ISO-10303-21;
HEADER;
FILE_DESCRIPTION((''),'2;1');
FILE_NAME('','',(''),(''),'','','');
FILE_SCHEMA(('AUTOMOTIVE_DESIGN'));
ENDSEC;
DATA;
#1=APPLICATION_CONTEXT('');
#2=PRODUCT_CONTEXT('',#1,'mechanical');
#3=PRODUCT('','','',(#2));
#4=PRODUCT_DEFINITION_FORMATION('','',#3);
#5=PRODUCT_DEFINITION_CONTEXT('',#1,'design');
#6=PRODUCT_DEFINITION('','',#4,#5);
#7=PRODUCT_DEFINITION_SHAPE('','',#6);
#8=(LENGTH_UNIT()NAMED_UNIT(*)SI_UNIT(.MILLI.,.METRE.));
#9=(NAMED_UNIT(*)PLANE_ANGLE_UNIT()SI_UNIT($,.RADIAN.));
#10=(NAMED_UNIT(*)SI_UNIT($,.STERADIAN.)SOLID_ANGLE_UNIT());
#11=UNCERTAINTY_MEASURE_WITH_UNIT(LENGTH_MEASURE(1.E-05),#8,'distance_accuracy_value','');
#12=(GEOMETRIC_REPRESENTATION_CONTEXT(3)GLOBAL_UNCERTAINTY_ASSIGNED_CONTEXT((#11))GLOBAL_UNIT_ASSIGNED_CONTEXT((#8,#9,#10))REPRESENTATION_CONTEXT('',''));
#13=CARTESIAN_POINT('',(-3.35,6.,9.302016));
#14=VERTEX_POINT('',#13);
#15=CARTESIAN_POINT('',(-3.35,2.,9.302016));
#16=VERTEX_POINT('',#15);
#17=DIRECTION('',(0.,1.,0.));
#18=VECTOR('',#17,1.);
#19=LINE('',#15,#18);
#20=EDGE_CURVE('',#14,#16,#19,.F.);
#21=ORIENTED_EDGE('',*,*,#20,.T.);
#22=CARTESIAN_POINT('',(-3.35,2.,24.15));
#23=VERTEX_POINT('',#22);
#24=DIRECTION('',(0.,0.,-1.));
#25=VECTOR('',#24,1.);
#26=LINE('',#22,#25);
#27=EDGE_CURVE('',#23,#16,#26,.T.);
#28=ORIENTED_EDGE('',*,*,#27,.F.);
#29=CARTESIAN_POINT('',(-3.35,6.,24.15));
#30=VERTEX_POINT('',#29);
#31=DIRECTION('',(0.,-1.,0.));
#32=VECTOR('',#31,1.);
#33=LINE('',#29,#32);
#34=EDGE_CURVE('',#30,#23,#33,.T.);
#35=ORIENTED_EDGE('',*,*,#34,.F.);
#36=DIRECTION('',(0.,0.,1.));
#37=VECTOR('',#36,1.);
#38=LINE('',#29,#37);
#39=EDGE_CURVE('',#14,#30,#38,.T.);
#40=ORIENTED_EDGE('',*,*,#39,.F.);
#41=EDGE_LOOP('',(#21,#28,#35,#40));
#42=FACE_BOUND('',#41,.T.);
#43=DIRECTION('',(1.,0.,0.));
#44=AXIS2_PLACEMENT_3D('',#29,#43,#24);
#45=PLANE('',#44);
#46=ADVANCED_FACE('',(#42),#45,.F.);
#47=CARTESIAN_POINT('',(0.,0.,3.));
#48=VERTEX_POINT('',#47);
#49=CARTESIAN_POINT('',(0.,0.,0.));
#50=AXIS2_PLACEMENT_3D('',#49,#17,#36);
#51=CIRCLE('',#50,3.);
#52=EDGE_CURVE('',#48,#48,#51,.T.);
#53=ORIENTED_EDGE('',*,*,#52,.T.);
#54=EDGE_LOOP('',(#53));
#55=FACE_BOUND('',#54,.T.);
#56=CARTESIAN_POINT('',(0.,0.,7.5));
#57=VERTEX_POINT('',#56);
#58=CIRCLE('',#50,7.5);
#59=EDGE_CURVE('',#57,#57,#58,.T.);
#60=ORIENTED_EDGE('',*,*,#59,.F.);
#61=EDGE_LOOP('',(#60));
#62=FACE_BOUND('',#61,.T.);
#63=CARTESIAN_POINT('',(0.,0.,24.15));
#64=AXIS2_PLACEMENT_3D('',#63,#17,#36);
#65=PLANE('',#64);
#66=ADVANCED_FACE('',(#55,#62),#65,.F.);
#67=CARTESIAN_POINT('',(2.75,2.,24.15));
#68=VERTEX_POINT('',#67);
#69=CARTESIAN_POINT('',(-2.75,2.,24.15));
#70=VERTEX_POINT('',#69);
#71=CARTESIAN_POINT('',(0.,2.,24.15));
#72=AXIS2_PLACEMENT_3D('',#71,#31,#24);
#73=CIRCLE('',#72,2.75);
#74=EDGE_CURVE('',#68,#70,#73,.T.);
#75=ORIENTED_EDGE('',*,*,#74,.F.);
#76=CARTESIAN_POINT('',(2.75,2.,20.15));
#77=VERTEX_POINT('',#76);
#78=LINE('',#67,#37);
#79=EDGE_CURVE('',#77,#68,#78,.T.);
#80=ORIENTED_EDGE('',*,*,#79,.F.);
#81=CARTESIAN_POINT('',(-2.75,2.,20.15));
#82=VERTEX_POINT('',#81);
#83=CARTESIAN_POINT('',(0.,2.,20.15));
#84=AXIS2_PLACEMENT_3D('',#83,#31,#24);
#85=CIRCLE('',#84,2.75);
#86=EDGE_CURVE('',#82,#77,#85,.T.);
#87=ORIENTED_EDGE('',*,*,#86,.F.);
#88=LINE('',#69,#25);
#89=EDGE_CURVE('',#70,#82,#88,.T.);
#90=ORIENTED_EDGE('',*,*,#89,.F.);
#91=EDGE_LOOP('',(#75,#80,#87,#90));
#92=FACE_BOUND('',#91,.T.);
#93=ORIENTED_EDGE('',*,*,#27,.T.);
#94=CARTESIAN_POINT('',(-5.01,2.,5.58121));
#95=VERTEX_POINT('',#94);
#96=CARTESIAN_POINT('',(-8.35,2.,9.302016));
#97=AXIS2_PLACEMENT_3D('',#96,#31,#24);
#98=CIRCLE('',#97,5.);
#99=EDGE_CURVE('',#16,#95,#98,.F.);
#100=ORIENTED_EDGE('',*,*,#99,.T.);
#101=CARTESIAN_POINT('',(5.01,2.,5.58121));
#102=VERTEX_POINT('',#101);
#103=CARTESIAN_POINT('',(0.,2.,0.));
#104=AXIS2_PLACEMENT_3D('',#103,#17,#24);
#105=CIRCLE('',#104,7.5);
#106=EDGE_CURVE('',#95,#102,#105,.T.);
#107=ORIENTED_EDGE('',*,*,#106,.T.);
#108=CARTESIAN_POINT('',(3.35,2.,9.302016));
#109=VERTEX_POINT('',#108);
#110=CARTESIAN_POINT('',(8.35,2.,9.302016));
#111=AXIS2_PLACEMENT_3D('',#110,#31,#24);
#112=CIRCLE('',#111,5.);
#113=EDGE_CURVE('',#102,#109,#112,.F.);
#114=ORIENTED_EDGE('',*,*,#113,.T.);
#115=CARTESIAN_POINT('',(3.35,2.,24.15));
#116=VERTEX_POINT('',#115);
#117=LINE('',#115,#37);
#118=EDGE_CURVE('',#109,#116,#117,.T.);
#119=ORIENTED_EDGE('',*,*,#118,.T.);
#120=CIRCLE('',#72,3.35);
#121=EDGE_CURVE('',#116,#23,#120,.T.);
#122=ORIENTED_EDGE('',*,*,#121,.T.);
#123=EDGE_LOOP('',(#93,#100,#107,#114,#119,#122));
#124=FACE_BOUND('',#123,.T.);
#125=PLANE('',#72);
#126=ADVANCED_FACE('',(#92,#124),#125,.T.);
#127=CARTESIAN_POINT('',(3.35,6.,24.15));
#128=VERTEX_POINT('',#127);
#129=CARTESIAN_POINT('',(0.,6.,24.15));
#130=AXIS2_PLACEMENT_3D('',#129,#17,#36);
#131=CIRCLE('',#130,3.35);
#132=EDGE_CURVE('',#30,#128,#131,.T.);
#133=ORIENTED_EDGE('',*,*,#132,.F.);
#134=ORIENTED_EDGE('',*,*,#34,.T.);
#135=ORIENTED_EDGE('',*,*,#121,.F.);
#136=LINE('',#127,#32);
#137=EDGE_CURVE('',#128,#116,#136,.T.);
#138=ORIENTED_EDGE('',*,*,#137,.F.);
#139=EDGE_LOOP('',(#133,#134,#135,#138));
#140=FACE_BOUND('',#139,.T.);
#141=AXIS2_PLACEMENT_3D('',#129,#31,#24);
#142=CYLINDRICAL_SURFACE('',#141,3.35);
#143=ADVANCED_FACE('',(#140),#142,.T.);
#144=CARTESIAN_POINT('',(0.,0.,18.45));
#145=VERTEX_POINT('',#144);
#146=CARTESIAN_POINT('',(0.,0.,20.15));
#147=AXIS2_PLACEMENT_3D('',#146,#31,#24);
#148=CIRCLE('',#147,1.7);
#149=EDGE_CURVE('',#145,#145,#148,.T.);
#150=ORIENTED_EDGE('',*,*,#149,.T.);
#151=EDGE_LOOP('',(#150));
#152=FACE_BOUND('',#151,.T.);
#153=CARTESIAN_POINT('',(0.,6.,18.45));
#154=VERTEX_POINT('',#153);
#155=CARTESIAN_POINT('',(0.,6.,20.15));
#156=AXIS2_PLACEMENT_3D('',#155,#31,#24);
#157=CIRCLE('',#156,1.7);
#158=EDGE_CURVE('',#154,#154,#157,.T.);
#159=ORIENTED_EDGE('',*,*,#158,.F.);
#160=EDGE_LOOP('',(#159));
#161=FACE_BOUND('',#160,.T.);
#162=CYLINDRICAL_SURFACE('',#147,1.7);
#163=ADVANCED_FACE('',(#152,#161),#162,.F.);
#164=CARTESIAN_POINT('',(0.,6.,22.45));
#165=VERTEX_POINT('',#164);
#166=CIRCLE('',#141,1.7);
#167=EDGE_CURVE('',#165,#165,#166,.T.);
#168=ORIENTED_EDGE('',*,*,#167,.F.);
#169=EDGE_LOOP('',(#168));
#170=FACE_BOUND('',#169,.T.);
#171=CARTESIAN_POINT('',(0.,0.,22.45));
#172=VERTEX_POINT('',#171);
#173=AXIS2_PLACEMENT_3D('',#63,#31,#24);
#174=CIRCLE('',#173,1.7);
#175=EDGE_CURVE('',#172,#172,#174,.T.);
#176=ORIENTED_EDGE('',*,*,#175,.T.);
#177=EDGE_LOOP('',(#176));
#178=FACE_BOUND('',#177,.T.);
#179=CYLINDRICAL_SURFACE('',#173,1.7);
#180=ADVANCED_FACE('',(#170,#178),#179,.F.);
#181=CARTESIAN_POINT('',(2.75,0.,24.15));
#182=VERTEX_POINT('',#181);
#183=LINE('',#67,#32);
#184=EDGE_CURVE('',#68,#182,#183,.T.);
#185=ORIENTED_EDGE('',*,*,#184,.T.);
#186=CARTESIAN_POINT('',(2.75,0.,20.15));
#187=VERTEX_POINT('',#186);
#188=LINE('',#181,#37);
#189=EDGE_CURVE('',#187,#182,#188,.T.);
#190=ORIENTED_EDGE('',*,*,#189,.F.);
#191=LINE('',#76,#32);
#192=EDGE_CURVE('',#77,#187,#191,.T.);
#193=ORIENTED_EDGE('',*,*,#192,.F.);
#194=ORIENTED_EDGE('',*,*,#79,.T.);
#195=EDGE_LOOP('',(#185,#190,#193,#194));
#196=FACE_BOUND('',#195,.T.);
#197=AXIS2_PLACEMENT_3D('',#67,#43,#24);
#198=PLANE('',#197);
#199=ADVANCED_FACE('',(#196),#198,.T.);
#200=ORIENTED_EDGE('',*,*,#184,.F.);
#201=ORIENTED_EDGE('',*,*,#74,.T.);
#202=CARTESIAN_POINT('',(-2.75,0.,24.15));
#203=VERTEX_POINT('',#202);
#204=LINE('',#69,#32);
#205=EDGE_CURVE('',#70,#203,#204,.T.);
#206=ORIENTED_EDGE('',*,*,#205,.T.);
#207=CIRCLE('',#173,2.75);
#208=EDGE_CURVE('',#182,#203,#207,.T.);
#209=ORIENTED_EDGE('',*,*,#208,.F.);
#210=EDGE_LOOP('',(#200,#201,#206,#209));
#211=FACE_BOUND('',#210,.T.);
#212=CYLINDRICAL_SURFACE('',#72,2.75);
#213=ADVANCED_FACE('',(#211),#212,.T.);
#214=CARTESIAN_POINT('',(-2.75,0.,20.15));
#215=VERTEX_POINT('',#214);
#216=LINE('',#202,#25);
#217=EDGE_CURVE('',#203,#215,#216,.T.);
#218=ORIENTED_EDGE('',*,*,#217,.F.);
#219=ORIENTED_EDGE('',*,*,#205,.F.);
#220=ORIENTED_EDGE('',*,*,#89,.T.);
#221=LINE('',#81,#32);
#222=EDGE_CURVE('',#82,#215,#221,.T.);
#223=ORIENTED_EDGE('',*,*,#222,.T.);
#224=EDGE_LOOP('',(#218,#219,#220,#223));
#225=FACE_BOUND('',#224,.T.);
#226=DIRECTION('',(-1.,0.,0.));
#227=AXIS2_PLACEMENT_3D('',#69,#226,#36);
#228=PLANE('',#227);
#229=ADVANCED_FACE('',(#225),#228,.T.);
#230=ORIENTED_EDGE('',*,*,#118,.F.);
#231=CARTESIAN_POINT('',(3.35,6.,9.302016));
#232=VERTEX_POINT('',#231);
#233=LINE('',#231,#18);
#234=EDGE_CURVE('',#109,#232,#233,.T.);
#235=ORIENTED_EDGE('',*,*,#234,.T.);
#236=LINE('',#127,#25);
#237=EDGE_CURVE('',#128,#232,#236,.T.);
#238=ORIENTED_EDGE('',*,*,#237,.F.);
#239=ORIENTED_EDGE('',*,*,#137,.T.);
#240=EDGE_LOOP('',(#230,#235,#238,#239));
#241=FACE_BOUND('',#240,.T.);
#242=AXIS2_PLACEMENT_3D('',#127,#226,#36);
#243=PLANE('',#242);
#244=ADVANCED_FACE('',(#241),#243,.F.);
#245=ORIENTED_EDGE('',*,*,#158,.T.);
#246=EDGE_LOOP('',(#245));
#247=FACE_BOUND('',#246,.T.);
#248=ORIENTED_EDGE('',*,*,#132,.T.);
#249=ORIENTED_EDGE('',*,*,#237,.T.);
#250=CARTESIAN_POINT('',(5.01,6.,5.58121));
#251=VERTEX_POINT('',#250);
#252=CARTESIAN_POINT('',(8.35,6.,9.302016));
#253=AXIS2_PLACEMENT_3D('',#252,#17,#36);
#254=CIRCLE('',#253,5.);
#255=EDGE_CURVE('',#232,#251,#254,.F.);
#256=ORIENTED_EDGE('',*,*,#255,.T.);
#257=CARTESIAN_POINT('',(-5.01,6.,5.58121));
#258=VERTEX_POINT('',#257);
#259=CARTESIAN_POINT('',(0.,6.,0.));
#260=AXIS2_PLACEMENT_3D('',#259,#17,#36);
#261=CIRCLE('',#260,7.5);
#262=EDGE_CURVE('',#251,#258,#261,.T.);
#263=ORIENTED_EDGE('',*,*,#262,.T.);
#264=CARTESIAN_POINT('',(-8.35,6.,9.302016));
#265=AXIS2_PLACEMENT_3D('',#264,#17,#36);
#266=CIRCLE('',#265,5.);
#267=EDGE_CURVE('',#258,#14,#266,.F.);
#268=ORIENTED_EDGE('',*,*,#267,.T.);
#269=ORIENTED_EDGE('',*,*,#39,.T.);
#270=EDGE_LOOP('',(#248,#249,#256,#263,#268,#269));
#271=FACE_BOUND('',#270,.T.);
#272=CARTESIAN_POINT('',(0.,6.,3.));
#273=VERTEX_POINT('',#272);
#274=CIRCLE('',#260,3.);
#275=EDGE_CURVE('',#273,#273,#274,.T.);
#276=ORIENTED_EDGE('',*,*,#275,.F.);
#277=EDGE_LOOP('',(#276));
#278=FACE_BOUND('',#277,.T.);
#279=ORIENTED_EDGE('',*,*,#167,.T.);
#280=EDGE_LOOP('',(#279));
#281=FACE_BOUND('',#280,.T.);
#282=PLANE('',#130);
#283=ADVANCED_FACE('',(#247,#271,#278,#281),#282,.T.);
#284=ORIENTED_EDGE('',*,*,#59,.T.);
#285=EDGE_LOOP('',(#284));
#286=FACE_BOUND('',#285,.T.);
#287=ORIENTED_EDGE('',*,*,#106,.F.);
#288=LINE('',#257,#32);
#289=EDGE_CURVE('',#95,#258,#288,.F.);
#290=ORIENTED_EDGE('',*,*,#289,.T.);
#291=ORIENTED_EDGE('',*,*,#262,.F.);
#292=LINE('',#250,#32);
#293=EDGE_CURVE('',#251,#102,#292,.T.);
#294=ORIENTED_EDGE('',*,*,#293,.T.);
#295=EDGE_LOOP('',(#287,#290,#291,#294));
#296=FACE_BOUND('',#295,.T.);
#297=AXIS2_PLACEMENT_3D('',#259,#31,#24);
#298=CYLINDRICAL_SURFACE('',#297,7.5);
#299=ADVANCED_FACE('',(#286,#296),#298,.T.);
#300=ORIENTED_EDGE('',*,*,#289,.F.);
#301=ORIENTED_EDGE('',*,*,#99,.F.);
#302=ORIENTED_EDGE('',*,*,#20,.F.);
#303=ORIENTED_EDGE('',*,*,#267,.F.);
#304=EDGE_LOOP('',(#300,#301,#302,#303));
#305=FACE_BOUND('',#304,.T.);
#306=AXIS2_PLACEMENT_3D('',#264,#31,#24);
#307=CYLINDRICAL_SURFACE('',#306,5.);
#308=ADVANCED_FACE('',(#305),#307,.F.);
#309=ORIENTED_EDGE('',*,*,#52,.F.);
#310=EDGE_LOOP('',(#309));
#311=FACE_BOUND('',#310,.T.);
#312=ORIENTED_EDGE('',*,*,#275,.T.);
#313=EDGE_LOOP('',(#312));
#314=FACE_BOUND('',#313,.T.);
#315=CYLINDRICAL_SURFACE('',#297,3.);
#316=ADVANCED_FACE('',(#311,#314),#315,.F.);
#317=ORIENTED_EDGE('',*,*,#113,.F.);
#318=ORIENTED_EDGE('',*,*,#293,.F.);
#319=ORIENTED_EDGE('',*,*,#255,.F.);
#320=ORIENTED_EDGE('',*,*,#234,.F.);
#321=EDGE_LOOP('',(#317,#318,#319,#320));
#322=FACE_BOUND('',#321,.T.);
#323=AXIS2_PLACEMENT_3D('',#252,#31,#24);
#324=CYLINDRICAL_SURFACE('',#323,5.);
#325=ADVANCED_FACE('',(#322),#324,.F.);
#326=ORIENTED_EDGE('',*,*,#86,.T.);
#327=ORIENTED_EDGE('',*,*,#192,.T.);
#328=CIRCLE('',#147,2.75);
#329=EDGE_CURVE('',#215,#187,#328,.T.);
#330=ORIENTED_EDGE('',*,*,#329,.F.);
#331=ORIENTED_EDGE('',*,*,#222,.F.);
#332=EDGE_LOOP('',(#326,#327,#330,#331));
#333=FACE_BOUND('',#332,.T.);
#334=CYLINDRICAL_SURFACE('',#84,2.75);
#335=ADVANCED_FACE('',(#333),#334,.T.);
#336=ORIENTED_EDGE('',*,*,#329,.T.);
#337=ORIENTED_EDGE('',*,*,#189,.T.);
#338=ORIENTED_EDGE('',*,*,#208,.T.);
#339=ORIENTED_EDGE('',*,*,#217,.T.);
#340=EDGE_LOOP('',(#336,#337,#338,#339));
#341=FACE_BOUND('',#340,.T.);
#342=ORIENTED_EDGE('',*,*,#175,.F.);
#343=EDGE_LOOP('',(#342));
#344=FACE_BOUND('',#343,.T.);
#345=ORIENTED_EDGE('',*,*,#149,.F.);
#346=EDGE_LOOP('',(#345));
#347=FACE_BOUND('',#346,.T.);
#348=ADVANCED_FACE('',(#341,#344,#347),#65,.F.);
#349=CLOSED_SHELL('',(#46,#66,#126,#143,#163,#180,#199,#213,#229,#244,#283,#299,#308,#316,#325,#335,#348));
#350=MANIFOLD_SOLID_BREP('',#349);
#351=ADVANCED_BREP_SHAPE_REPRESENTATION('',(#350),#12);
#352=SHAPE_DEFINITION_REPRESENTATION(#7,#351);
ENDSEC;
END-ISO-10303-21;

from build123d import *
from build123d.topology import SkipClean

# Parameters (mm, degrees)
ESQUISSE1_R             = 3
BOSS_EXTRU_1_DEPTH      = 6
D_GAGEMENT_M31_D        = 3.4
ENL_V_MAT_EXTRU_1_DEPTH = 2
CONG_2_R                = 5


with BuildPart() as part:
    # Esquisse1 → Boss.-Extru.1 (new body)
    with BuildSketch(Plane(origin=(0, 0, 0), x_dir=(1, 0, 0), z_dir=(0, 1, 0))):
        with BuildLine():
            Line((-3.35, -24.15), (-3.35, -6.710253348))
            ThreePointArc((-3.35, -6.710253348), (0, 7.5), (3.35, -6.710253348))
            Line((3.35, -6.710253348), (3.35, -24.15))
            ThreePointArc((3.35, -24.15), (0, -27.5), (-3.35, -24.15))
        make_face()
        with Locations(Location((0, 0, 0), (0, 0, 270))):
            Circle(ESQUISSE1_R, mode=Mode.SUBTRACT)
    extrude(amount=BOSS_EXTRU_1_DEPTH)

    # Dégagement M31 (through all)
    with Locations(Plane(origin=(0, 0, 0), x_dir=(-1, 0, 0), z_dir=(0, -1, 0))):
        with Locations((0, -24.15), (0, -20.15)):
            Hole(D_GAGEMENT_M31_D / 2)

    # Esquisse6 → Enlèv. mat.-Extru.1 (cut)
    with SkipClean():  # the faces are left unmerged after this step: merging them gives an invalid solid
        with BuildSketch(Plane.XZ):
            with BuildLine():
                Line((-3.35, 24.15), (-3.35, 6.710253348))
                ThreePointArc((-3.35, 6.710253348), (0, 7.5), (3.35, 6.710253348))
                Line((3.35, 6.710253348), (3.35, 24.15))
                ThreePointArc((3.35, 24.15), (0, 27.5), (-3.35, 24.15))
            make_face()
            with BuildLine():
                Line((2.75, 24.15), (2.75, 20.15))
                ThreePointArc((2.75, 20.15), (0, 17.4), (-2.75, 20.15))
                Line((-2.75, 20.15), (-2.75, 24.15))
                ThreePointArc((-2.75, 24.15), (0, 26.9), (2.75, 24.15))
            make_face(mode=Mode.SUBTRACT)
        extrude(amount=-ENL_V_MAT_EXTRU_1_DEPTH, mode=Mode.SUBTRACT)

    # Congé2
    cong_2_edges = [part.edges().sort_by_distance(p)[0] for p in [
        (-3.35, 4, 6.710253348),
        (3.35, 4, 6.710253348),
    ]]
    fillet(cong_2_edges, radius=CONG_2_R)


solid = part.part
